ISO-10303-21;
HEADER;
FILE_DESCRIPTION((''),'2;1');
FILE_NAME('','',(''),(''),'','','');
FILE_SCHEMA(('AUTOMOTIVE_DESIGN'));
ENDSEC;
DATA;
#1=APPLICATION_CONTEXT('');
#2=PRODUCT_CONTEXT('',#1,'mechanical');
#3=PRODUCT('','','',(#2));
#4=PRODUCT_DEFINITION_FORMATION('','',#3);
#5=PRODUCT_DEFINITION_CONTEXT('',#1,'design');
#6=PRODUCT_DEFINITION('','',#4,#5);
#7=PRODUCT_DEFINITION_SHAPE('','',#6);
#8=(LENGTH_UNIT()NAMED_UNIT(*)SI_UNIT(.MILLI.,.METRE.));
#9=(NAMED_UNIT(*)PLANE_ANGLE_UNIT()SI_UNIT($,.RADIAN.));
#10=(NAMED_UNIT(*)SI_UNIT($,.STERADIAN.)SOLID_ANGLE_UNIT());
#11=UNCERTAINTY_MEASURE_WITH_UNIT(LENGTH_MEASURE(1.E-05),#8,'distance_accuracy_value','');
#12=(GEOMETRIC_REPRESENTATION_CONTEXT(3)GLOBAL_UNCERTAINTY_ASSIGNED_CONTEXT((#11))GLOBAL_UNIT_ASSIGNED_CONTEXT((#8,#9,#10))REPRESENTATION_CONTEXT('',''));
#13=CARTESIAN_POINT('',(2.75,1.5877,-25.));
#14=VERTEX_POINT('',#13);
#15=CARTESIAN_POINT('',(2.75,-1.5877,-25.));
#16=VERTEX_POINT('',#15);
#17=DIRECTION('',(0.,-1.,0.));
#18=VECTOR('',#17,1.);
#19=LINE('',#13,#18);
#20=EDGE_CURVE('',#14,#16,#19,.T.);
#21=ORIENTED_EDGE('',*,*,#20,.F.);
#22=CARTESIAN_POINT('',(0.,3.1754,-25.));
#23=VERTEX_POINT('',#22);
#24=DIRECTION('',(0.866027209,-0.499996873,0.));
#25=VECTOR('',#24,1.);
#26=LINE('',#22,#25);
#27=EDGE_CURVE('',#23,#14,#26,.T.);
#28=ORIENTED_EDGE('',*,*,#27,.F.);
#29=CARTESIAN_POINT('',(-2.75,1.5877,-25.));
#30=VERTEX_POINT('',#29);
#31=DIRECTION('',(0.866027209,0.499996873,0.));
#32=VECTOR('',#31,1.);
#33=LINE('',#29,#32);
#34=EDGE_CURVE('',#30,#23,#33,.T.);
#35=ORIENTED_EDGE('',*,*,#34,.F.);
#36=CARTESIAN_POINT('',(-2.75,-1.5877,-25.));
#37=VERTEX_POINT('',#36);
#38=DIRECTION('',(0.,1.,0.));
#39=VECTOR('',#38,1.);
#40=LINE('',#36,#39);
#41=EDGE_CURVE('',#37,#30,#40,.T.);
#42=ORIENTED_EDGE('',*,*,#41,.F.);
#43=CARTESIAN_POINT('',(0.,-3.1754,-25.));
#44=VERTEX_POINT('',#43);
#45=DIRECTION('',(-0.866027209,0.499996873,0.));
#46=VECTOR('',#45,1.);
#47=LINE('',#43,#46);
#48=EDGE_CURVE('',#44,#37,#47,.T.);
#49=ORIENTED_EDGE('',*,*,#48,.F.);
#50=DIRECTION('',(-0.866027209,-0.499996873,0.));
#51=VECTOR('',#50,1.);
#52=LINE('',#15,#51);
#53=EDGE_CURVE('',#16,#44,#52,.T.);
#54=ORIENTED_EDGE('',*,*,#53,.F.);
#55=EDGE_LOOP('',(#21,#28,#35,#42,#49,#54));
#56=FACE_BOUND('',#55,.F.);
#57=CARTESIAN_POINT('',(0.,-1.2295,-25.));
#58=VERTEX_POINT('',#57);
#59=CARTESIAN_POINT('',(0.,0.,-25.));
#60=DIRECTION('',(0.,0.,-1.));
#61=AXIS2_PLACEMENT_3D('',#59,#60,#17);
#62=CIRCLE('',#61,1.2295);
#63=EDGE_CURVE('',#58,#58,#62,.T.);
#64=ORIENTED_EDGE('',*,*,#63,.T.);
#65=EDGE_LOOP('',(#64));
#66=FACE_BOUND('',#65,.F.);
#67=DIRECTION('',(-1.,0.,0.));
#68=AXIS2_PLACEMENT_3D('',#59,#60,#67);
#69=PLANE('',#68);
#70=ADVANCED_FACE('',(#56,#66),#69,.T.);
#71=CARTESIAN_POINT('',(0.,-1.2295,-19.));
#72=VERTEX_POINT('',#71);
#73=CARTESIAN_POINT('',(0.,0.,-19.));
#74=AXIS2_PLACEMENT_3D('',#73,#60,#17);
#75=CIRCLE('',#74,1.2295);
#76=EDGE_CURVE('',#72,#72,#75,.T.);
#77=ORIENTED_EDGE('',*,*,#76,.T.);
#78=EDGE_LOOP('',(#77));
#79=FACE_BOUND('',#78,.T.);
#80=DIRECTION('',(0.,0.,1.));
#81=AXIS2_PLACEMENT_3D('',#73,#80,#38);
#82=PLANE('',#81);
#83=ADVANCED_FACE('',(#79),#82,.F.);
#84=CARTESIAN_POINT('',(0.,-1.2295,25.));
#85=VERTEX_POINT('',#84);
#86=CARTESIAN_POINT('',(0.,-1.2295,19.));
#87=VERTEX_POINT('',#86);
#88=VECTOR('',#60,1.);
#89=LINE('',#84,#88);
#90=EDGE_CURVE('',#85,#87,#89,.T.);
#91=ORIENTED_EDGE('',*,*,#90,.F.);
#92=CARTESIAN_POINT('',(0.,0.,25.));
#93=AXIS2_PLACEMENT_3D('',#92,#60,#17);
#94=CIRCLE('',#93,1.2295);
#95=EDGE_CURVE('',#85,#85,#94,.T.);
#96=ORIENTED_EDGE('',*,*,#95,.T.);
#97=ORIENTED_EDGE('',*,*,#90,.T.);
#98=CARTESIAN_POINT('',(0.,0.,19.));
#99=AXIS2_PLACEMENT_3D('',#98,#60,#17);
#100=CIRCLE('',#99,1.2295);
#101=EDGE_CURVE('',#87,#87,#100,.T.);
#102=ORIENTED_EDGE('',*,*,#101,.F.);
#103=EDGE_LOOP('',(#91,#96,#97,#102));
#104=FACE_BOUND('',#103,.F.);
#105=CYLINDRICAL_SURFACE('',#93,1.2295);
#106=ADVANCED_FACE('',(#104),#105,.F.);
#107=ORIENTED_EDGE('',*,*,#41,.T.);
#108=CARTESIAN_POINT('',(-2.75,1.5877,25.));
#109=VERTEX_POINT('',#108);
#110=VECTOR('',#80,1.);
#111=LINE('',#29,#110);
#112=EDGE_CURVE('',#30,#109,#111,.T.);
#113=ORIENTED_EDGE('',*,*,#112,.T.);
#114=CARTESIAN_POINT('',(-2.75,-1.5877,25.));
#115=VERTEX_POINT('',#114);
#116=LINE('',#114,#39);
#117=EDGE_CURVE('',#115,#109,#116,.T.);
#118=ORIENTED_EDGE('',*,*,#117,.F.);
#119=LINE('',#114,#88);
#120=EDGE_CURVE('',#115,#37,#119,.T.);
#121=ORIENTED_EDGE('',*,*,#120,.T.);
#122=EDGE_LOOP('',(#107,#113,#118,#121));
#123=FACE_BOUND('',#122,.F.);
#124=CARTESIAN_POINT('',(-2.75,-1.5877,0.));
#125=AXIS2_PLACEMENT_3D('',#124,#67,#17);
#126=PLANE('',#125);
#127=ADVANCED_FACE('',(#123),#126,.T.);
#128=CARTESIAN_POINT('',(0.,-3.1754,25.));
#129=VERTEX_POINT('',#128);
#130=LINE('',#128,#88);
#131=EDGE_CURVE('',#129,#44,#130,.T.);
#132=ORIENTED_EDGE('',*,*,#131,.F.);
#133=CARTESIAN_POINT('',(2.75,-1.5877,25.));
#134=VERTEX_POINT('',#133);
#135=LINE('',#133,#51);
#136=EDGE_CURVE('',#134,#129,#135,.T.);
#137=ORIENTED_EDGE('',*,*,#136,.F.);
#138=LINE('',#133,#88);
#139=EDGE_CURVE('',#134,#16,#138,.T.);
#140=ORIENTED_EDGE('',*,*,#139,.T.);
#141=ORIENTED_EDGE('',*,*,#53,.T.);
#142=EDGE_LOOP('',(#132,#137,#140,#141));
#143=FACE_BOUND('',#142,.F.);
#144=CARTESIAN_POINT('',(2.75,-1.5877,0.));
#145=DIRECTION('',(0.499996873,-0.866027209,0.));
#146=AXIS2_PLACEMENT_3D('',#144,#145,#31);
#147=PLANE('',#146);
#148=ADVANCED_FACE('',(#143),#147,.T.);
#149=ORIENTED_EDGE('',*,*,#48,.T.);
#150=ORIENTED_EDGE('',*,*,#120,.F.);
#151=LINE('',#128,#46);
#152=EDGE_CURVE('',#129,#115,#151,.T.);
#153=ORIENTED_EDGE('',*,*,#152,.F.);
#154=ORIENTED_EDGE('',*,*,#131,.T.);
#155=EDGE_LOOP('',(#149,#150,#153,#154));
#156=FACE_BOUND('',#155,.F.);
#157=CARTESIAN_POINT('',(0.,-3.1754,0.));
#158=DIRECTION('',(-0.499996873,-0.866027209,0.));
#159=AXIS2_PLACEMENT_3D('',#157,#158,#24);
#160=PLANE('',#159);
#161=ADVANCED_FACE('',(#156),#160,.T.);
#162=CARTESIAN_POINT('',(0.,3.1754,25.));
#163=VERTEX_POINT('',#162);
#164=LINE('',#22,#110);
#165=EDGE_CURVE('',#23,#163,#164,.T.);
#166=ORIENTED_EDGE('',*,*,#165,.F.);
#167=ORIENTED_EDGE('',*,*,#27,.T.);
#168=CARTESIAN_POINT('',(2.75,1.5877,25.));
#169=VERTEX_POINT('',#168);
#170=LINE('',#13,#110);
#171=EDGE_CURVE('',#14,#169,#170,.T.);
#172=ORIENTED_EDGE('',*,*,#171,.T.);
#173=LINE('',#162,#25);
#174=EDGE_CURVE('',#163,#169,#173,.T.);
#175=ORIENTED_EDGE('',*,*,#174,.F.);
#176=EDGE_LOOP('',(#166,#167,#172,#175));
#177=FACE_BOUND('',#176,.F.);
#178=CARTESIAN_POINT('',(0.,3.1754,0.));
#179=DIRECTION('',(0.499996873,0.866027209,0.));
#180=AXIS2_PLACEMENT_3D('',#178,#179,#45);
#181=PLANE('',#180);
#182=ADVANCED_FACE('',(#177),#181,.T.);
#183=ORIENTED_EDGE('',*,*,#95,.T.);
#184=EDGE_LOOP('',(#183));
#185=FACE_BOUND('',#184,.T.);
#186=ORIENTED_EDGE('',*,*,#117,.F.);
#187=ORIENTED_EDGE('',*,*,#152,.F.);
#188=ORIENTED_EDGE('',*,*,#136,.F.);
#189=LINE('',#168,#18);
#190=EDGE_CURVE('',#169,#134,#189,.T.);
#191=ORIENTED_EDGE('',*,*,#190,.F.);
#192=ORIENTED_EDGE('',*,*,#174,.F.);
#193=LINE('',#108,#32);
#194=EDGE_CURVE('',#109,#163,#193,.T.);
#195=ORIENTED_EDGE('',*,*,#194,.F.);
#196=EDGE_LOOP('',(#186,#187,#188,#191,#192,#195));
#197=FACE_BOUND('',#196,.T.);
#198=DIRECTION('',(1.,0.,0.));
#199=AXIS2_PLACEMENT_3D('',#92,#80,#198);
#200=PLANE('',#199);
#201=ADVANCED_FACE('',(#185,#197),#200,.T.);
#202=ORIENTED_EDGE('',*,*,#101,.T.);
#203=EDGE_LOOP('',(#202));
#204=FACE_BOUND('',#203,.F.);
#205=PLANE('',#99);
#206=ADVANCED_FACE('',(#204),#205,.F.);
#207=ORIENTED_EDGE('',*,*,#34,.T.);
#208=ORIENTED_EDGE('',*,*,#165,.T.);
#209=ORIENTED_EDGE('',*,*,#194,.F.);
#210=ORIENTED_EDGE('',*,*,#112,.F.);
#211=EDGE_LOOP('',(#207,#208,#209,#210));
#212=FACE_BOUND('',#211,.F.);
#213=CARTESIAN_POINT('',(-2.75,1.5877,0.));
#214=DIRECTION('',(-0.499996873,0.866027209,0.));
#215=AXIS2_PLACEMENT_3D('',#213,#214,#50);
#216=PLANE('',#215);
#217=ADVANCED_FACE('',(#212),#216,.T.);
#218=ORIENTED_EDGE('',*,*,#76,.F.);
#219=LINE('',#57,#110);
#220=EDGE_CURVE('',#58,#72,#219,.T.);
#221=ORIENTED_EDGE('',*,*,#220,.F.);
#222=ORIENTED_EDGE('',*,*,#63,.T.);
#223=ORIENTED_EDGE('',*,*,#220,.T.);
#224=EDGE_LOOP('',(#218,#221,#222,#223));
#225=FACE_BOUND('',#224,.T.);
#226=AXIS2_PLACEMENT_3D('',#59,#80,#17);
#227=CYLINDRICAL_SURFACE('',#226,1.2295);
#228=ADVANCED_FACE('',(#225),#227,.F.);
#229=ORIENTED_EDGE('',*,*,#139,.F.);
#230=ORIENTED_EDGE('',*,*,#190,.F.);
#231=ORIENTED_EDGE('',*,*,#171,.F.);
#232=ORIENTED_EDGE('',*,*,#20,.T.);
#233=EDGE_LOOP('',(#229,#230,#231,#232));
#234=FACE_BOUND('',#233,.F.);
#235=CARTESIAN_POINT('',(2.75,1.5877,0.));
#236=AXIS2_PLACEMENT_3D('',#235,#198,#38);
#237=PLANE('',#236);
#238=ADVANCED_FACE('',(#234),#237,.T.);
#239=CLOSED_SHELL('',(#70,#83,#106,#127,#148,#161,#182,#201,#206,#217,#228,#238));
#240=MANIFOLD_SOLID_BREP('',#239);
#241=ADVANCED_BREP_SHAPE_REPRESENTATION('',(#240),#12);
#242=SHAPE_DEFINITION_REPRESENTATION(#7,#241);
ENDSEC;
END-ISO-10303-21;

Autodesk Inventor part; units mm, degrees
ref_plane "YZ Plane" through (0, 0, 0) normal (1, 0, 0) x (0, 1, 0)
ref_plane "XZ Plane" through (0, 0, 0) normal (0, 1, 0) x (-1, 0, 0)
ref_plane "XY Plane" through (0, 0, 0) normal (0, 0, 1) x (1, 0, 0)
sketch "スケッチ1" plane through (0, 0, 0) normal (0, 0, 1) x (1, 0, 0)
  line L0 (2.75, 1.5877) -> (2.75, -1.5877)
  line L1 (2.75, -1.5877) -> (0, -3.1754)
  line L2 (0, -3.1754) -> (-2.75, -1.5877)
  line L3 (-2.75, -1.5877) -> (-2.75, 1.5877)
  line L4 (-2.75, 1.5877) -> (0, 3.1754)
  line L5 (0, 3.1754) -> (2.75, 1.5877)
  point P0 (0, 0)
  point P1 (0, 0)
  dimension "d0" = 5.5
extrude "押し出し1" add sketch "スケッチ1" along normal blind 25
sketch "スケッチ2" plane through (0, 0, 25) normal (0, 0, 1) x (1, 0, 0)
  point P0 (0, 0)
  point P1 (0, 0)
hole "穴1" at (0, 0, 25) direction (0, 0, -1) diameter 2.459 depth 6 thread size "M3x0.5" class "6H" standard "ISO Metric profile"
mirror "ミラー1" about plane through (0, 0, 0) normal (0, 0, -1) of "押し出し1", "穴1"
properties part number "ASU-340" material "ステンレス鋼 AISI 304"
